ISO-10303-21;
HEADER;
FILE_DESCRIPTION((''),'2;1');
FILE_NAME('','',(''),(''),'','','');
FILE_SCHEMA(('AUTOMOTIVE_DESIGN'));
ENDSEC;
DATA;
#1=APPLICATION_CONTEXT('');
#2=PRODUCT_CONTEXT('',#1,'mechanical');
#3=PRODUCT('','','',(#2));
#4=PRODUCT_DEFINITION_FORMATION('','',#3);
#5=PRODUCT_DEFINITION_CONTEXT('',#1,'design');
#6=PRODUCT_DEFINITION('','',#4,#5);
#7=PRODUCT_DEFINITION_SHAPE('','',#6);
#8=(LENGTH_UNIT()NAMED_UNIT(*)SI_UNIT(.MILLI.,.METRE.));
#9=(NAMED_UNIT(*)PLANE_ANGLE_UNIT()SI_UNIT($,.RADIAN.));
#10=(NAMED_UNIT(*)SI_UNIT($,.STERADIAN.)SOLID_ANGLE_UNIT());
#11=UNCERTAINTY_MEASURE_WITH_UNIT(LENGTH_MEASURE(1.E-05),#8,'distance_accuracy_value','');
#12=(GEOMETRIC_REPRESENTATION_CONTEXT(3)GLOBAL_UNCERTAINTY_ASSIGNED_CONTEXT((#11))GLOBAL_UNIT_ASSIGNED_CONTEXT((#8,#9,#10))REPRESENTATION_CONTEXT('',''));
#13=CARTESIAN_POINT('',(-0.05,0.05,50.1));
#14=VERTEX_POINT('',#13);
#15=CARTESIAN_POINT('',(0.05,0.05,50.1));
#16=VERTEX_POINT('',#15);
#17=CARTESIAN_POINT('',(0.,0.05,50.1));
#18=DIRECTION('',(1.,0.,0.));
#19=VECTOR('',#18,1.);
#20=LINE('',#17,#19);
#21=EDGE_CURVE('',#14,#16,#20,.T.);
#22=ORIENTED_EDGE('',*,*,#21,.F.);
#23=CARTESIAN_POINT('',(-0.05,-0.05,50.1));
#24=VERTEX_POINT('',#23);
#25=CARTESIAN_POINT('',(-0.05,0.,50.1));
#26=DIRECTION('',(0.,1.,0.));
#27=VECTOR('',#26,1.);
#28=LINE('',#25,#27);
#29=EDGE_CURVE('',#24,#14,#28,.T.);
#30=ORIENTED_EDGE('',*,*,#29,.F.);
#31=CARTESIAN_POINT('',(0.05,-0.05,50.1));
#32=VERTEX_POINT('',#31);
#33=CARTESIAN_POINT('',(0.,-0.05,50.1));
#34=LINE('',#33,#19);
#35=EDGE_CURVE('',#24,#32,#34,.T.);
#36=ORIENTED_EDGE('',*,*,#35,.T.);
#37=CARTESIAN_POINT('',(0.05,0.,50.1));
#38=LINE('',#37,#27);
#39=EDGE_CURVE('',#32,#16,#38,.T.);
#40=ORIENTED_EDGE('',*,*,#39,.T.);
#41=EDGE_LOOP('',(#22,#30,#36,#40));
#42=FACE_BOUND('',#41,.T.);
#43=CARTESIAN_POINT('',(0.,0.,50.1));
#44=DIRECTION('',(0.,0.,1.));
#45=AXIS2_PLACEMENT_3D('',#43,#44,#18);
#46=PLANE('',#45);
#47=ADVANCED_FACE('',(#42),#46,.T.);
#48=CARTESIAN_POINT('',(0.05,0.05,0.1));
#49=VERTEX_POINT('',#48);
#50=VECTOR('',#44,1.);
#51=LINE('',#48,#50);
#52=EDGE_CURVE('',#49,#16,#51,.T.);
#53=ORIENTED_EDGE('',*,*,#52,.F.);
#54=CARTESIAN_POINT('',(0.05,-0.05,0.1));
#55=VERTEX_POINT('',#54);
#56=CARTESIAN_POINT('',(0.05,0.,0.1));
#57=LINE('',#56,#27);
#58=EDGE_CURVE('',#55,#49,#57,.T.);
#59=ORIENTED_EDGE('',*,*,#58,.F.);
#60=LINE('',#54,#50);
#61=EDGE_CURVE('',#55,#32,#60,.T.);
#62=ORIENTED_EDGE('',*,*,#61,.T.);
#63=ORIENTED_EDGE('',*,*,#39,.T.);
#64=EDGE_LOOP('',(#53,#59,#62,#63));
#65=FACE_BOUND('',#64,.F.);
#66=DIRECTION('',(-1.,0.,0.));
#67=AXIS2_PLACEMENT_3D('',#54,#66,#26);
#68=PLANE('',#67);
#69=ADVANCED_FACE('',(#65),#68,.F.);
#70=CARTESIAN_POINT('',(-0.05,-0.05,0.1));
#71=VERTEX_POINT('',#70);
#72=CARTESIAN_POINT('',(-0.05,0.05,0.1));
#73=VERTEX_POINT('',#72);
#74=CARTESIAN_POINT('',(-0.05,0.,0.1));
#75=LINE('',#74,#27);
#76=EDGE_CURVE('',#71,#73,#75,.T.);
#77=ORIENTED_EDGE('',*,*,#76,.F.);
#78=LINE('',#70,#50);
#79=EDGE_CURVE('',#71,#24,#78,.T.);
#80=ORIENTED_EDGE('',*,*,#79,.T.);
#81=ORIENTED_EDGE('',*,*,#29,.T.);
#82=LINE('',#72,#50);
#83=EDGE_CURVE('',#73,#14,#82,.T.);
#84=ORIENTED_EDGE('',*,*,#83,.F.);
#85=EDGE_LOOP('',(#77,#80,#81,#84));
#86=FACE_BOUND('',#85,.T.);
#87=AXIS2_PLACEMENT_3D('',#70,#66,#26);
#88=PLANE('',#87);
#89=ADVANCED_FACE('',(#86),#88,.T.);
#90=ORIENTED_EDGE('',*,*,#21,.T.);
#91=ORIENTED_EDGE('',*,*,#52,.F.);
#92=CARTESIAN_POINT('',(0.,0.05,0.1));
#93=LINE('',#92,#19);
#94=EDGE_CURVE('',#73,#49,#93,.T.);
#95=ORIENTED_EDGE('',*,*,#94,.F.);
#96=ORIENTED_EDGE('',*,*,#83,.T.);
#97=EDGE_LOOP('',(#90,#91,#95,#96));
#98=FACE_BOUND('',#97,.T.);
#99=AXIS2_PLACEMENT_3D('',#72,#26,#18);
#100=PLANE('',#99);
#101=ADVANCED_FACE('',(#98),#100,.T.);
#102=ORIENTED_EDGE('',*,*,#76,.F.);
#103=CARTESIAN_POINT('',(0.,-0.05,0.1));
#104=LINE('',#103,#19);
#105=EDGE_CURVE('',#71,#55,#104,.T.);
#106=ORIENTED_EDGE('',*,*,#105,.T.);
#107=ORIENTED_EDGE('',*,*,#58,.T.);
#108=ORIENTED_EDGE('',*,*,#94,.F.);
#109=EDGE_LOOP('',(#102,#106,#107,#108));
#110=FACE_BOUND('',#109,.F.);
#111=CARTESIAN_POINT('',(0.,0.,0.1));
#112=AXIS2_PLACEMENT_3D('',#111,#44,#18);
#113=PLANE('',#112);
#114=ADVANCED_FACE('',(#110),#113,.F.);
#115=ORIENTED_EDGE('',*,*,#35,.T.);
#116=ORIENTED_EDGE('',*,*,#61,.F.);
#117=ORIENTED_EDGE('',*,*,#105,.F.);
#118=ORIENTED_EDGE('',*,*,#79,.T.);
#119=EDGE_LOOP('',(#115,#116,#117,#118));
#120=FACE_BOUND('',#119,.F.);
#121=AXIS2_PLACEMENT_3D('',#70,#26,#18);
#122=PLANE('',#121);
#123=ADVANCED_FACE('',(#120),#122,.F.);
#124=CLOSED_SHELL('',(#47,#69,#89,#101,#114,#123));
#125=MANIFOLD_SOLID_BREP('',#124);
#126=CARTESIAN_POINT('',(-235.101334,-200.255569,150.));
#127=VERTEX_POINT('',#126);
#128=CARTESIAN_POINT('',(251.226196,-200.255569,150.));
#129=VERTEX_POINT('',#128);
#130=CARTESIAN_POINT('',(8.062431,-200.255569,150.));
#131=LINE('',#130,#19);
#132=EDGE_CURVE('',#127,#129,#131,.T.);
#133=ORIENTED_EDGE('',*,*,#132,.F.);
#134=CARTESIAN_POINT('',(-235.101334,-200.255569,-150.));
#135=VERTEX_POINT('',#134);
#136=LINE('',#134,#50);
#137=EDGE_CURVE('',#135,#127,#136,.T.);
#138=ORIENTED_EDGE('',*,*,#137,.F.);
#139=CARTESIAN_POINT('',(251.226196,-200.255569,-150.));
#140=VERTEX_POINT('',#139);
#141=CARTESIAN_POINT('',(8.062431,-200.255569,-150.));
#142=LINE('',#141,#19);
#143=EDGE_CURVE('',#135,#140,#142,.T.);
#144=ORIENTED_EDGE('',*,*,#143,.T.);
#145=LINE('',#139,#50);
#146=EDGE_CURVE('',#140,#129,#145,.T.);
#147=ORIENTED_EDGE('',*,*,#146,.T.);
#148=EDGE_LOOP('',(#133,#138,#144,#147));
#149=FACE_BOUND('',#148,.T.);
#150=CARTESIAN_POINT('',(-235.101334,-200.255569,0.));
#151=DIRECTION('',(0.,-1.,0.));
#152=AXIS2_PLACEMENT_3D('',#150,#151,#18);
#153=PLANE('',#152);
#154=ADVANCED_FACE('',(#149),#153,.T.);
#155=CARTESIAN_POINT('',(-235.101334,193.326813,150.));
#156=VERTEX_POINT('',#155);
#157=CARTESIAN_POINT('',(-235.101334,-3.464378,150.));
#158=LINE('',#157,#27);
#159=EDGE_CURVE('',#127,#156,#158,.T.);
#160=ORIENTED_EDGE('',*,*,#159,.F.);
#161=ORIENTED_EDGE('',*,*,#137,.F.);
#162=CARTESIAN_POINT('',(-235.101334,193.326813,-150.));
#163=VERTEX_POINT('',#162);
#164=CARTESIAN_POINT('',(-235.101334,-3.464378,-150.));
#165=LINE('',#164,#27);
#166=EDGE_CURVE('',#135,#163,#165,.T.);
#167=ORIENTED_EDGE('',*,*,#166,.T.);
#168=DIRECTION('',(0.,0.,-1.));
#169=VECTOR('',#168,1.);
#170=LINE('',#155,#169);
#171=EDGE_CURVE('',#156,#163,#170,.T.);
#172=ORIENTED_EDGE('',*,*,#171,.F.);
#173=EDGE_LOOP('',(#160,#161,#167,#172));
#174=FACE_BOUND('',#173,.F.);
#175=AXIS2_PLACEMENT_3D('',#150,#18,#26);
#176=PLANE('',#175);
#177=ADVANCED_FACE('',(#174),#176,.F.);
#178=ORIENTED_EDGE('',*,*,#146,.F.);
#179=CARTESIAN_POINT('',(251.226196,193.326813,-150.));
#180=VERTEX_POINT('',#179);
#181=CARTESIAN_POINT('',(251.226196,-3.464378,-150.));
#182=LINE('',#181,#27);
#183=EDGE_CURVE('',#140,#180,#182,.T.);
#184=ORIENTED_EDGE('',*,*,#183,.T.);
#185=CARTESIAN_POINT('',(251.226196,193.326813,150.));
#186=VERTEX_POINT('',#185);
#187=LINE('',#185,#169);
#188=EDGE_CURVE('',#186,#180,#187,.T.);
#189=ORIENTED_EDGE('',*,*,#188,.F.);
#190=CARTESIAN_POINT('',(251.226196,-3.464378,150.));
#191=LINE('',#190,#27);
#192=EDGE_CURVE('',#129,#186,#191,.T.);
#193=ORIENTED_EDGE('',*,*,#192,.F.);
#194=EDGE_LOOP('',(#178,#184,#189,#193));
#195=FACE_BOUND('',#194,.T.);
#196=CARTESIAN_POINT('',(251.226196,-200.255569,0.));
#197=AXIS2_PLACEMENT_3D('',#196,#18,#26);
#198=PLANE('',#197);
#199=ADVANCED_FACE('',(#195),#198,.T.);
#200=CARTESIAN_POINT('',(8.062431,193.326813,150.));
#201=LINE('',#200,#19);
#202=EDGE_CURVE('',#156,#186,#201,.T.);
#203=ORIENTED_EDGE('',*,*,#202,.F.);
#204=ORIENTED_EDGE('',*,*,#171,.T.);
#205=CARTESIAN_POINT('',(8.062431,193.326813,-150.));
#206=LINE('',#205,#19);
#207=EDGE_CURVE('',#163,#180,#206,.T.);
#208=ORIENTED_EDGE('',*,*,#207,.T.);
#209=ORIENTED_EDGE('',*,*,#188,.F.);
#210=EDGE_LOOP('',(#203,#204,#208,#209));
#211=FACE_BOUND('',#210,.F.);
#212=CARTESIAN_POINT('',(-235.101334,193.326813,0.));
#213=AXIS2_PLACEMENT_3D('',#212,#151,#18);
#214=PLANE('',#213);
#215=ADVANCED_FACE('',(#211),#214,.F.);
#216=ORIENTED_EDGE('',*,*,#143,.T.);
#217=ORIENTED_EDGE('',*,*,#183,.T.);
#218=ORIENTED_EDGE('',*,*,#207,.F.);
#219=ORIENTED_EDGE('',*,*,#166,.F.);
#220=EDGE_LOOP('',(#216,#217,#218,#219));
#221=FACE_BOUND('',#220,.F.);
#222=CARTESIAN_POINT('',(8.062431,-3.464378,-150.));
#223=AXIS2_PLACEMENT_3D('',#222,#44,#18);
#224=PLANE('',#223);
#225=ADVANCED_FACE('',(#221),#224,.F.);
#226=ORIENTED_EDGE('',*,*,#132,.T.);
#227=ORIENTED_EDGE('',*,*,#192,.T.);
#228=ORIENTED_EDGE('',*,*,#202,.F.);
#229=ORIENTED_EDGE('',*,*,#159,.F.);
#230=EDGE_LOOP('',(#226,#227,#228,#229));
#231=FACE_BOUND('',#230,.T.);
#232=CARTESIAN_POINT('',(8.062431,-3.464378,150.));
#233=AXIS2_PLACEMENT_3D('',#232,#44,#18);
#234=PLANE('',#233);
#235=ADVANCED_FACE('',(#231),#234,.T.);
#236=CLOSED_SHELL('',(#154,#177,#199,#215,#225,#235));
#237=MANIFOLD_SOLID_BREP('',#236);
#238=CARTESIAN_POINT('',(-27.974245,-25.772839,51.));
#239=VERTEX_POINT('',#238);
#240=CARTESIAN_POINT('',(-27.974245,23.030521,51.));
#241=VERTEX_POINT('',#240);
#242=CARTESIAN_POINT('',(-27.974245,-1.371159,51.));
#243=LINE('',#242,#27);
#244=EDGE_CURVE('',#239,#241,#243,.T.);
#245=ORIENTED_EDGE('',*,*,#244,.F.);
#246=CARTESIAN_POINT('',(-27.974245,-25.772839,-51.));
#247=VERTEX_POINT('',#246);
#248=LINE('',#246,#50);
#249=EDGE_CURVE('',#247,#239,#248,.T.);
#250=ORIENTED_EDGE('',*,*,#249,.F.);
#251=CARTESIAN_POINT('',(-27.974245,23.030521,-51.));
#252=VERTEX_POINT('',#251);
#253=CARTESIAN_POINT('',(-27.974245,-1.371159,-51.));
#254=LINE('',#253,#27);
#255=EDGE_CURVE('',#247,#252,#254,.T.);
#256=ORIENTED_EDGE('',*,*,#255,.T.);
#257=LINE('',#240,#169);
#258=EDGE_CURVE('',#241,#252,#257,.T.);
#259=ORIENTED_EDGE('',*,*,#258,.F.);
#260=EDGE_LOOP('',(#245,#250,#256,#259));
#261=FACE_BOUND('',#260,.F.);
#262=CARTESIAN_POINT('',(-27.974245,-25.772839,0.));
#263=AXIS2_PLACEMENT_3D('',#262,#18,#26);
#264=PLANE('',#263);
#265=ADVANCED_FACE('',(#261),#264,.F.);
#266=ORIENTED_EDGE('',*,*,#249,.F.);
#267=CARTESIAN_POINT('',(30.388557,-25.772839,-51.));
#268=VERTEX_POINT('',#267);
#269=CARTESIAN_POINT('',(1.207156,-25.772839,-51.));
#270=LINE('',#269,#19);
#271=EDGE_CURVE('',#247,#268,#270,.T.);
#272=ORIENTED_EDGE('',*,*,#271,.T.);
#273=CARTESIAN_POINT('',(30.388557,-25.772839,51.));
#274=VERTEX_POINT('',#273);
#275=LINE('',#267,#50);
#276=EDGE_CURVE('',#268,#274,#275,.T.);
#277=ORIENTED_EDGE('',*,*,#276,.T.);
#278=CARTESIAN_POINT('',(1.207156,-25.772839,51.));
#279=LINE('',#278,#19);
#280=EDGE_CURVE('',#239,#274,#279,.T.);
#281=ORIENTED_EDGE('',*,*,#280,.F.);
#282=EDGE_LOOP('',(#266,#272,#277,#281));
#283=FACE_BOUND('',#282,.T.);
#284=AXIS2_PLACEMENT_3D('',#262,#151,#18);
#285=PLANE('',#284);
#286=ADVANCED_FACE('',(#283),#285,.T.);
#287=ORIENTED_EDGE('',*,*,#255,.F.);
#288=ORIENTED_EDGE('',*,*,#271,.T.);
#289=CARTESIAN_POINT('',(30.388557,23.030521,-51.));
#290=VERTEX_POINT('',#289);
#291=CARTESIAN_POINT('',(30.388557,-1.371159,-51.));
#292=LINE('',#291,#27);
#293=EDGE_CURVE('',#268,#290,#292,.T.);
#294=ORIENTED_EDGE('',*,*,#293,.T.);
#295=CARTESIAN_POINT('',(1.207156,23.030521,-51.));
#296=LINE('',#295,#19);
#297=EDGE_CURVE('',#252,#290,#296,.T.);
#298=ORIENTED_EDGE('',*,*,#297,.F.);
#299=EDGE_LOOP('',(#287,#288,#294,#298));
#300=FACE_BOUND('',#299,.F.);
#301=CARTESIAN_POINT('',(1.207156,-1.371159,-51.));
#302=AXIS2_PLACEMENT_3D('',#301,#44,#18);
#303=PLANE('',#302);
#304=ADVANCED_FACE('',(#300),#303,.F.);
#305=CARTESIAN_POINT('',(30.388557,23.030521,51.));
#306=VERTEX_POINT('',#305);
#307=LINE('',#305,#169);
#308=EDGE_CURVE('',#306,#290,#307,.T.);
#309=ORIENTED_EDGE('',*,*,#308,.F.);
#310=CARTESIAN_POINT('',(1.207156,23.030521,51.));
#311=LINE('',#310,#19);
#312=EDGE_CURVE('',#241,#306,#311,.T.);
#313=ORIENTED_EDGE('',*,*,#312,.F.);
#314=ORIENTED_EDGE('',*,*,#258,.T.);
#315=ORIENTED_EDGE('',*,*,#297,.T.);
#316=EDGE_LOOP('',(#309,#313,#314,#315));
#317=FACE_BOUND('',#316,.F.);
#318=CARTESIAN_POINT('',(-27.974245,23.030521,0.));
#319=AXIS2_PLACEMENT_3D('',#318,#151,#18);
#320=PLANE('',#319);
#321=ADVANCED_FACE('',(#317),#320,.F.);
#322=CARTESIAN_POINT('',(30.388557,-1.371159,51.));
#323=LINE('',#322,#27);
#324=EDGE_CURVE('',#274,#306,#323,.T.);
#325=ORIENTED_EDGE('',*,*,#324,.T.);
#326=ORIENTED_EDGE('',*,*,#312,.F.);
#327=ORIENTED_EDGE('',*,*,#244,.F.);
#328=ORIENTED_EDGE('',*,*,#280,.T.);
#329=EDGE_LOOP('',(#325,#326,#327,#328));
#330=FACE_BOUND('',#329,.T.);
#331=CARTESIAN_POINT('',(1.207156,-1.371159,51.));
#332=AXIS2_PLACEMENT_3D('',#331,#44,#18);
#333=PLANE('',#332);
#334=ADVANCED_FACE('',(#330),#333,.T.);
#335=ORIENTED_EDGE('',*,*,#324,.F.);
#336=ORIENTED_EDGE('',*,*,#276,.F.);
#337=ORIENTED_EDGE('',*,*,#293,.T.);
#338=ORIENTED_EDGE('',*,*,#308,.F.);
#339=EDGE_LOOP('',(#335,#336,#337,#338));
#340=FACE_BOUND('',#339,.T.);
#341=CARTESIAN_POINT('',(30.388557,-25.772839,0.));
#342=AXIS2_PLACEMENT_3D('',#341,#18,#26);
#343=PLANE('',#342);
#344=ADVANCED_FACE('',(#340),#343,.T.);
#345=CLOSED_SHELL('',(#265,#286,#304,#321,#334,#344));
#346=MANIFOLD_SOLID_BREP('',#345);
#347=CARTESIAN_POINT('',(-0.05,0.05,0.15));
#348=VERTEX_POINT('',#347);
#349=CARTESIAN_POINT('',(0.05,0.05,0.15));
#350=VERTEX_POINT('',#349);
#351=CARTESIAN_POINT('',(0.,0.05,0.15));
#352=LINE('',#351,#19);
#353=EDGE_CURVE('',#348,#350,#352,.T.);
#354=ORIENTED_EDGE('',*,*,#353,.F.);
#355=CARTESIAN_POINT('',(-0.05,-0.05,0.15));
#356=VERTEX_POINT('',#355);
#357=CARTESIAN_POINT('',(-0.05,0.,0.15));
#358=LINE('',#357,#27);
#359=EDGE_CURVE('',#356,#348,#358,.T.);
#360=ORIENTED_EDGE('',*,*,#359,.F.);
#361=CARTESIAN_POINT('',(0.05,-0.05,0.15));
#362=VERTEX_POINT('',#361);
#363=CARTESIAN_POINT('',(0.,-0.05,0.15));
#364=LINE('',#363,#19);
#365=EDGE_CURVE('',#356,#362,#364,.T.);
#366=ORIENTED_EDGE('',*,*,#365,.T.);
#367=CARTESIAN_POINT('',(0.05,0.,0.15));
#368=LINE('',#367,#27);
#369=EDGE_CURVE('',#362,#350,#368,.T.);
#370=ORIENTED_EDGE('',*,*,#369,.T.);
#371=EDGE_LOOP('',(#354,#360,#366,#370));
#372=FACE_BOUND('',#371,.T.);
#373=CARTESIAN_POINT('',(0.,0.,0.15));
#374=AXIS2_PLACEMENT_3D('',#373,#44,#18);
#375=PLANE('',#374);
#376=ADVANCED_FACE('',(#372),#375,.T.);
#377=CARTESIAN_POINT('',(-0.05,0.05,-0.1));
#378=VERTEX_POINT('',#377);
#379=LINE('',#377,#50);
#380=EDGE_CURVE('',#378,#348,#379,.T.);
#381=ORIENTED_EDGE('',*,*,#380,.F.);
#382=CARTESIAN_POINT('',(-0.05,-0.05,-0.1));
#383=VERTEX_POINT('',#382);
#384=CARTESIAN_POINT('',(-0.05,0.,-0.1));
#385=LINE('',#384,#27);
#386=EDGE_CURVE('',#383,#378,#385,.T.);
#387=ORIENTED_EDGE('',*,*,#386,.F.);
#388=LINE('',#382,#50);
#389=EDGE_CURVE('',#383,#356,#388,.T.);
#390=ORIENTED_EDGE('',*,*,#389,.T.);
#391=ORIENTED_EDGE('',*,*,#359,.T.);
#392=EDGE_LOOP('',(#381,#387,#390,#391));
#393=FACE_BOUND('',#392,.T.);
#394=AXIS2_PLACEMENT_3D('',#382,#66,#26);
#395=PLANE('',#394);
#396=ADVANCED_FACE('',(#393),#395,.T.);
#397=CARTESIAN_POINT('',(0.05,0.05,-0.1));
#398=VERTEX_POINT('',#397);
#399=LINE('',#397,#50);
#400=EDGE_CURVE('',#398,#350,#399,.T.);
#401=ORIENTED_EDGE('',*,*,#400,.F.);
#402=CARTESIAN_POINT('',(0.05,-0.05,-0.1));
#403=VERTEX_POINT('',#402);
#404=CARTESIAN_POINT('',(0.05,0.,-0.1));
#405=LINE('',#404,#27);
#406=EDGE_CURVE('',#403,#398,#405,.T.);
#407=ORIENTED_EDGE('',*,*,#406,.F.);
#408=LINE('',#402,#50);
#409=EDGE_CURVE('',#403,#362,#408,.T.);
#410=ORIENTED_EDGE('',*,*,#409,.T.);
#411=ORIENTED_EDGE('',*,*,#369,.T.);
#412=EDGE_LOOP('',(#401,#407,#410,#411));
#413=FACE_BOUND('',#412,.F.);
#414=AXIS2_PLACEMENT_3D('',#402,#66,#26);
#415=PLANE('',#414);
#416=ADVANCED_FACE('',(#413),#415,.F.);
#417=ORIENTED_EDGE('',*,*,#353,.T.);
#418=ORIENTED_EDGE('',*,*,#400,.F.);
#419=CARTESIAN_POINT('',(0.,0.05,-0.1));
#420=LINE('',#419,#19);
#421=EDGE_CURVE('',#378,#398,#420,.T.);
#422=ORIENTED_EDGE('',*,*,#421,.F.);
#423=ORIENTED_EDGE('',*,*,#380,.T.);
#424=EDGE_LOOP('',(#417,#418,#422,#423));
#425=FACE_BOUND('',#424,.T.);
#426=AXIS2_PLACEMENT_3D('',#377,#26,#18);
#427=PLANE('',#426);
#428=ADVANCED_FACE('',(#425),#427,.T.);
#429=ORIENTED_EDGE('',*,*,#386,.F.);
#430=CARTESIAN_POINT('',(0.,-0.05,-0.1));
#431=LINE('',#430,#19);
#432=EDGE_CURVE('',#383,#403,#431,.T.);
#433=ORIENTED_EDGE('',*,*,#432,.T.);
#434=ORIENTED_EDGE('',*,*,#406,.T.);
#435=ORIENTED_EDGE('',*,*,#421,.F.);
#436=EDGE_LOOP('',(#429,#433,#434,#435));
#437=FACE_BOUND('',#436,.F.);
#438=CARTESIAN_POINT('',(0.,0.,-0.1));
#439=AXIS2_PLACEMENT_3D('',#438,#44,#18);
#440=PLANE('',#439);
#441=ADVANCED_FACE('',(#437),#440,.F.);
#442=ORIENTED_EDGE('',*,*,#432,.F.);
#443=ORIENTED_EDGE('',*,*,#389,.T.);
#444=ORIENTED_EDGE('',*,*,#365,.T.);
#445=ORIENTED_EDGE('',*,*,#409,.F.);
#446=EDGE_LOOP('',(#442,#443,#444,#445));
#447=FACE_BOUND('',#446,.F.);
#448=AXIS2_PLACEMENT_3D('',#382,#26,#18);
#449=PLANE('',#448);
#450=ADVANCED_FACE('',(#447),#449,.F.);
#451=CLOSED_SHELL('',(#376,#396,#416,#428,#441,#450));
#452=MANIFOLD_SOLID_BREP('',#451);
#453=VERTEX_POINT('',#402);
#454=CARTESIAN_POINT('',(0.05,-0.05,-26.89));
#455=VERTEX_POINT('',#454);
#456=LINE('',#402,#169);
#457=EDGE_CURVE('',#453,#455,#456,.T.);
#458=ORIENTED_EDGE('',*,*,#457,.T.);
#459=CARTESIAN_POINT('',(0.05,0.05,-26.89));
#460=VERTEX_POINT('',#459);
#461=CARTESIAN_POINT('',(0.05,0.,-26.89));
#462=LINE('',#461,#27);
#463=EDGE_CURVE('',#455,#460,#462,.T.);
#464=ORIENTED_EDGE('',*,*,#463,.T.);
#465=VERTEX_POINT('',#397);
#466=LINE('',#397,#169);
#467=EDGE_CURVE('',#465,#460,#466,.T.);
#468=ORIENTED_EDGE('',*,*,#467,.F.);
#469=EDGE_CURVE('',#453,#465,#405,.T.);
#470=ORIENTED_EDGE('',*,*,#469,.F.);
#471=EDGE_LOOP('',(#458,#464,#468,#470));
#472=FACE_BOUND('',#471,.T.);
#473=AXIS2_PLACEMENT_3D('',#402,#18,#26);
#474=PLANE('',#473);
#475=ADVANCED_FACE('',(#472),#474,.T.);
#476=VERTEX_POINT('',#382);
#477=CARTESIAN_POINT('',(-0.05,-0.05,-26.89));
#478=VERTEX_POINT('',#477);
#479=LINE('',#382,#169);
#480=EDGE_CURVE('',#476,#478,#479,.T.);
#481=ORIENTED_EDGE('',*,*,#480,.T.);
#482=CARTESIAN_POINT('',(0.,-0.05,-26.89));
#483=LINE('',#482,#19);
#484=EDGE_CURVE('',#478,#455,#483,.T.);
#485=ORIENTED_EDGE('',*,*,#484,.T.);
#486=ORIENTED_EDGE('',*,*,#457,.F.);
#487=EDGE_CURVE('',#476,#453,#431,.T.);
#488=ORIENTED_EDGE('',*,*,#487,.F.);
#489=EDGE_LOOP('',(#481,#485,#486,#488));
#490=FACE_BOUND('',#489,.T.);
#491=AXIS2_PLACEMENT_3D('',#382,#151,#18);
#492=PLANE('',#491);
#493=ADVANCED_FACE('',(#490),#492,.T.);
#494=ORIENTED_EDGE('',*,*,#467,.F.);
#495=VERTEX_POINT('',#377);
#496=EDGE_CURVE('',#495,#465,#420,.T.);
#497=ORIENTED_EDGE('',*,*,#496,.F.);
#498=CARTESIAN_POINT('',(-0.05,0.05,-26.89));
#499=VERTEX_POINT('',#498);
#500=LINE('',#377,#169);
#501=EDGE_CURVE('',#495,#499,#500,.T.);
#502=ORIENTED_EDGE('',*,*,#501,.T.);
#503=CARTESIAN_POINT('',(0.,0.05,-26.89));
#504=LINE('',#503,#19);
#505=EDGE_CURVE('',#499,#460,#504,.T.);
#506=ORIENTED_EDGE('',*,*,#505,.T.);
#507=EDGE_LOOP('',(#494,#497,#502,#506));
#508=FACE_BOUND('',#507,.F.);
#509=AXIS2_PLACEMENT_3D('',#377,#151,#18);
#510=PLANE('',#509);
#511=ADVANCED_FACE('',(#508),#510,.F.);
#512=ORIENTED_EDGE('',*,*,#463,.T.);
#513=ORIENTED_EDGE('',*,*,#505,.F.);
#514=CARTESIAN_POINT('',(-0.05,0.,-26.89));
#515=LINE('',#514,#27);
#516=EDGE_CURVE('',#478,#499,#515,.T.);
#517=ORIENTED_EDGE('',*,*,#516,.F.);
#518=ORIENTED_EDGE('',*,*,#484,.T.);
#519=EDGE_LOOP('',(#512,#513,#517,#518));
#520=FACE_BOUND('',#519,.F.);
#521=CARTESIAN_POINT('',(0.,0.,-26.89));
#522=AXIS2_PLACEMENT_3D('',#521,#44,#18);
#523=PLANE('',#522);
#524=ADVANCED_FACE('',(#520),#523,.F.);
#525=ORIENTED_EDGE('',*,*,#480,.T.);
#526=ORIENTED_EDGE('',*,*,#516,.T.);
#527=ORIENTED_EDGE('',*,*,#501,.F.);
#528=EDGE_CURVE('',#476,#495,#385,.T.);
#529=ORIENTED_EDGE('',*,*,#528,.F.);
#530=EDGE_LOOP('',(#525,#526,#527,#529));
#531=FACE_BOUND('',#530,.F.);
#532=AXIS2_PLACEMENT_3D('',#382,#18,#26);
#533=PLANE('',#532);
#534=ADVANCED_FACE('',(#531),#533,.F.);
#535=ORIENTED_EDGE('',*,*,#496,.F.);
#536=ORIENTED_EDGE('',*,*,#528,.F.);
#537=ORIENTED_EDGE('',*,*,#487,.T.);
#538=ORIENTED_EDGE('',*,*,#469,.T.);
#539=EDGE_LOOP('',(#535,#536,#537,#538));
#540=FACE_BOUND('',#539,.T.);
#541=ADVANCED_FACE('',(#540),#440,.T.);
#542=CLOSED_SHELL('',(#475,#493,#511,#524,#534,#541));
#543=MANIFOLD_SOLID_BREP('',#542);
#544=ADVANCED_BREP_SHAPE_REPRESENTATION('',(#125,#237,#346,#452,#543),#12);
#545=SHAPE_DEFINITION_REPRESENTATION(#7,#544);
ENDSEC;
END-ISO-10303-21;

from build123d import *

# Parameters (mm, degrees)
SKETCH_W         = 0.1
SKETCH_H         = 0.1
EXTRUDE_DEPTH    = 50
SKETCH001_W      = 0.1
SKETCH001_H      = 0.1
EXTRUDE001_DEPTH = 26.79
EXTRUDE002_DEPTH = 0.25
SKETCH013_W      = 486.32753
SKETCH013_H      = 393.582382
EXTRUDE003_DEPTH = 150
SKETCH014_W      = 58.362802
SKETCH014_H      = 48.80336
EXTRUDE004_DEPTH = 51


with BuildPart() as top_part:
    # Sketch → Extrude (new body)
    with BuildSketch(Plane.XY.offset(0.1)):
        Rectangle(SKETCH_W, SKETCH_H)
    extrude(amount=EXTRUDE_DEPTH)


with BuildPart() as bottom_part:
    # Sketch001 → Extrude001 (new body)
    with BuildSketch(Plane.XY.offset(-0.1)):
        Rectangle(SKETCH001_W, SKETCH001_H)
    extrude(amount=-EXTRUDE001_DEPTH)


with BuildPart() as port_in:
    # Sketch001 → Extrude002 (new body)
    with BuildSketch(Plane.XY.offset(-0.1)):
        Rectangle(SKETCH001_W, SKETCH001_H)
    extrude(amount=EXTRUDE002_DEPTH)


with BuildPart() as port_in_1:
    # Extrude002 placement: moved
    add(port_in.part.moved(Location((0, 0, -0.03))))


with BuildPart() as simbox:
    # Sketch013 → Extrude003 (new body, symmetric)
    with BuildSketch(Plane.XY):
        with Locations((8.062431, -3.464378)):
            Rectangle(SKETCH013_W, SKETCH013_H)
    extrude(amount=EXTRUDE003_DEPTH, both=True)


with BuildPart() as nf2ff_box:
    # Sketch014 → Extrude004 (new body, symmetric)
    with BuildSketch(Plane.XY):
        with Locations((1.207156, -1.371159)):
            Rectangle(SKETCH014_W, SKETCH014_H)
    extrude(amount=EXTRUDE004_DEPTH, both=True)


solid = Compound([top_part.part, bottom_part.part, port_in_1.part, simbox.part, nf2ff_box.part])
